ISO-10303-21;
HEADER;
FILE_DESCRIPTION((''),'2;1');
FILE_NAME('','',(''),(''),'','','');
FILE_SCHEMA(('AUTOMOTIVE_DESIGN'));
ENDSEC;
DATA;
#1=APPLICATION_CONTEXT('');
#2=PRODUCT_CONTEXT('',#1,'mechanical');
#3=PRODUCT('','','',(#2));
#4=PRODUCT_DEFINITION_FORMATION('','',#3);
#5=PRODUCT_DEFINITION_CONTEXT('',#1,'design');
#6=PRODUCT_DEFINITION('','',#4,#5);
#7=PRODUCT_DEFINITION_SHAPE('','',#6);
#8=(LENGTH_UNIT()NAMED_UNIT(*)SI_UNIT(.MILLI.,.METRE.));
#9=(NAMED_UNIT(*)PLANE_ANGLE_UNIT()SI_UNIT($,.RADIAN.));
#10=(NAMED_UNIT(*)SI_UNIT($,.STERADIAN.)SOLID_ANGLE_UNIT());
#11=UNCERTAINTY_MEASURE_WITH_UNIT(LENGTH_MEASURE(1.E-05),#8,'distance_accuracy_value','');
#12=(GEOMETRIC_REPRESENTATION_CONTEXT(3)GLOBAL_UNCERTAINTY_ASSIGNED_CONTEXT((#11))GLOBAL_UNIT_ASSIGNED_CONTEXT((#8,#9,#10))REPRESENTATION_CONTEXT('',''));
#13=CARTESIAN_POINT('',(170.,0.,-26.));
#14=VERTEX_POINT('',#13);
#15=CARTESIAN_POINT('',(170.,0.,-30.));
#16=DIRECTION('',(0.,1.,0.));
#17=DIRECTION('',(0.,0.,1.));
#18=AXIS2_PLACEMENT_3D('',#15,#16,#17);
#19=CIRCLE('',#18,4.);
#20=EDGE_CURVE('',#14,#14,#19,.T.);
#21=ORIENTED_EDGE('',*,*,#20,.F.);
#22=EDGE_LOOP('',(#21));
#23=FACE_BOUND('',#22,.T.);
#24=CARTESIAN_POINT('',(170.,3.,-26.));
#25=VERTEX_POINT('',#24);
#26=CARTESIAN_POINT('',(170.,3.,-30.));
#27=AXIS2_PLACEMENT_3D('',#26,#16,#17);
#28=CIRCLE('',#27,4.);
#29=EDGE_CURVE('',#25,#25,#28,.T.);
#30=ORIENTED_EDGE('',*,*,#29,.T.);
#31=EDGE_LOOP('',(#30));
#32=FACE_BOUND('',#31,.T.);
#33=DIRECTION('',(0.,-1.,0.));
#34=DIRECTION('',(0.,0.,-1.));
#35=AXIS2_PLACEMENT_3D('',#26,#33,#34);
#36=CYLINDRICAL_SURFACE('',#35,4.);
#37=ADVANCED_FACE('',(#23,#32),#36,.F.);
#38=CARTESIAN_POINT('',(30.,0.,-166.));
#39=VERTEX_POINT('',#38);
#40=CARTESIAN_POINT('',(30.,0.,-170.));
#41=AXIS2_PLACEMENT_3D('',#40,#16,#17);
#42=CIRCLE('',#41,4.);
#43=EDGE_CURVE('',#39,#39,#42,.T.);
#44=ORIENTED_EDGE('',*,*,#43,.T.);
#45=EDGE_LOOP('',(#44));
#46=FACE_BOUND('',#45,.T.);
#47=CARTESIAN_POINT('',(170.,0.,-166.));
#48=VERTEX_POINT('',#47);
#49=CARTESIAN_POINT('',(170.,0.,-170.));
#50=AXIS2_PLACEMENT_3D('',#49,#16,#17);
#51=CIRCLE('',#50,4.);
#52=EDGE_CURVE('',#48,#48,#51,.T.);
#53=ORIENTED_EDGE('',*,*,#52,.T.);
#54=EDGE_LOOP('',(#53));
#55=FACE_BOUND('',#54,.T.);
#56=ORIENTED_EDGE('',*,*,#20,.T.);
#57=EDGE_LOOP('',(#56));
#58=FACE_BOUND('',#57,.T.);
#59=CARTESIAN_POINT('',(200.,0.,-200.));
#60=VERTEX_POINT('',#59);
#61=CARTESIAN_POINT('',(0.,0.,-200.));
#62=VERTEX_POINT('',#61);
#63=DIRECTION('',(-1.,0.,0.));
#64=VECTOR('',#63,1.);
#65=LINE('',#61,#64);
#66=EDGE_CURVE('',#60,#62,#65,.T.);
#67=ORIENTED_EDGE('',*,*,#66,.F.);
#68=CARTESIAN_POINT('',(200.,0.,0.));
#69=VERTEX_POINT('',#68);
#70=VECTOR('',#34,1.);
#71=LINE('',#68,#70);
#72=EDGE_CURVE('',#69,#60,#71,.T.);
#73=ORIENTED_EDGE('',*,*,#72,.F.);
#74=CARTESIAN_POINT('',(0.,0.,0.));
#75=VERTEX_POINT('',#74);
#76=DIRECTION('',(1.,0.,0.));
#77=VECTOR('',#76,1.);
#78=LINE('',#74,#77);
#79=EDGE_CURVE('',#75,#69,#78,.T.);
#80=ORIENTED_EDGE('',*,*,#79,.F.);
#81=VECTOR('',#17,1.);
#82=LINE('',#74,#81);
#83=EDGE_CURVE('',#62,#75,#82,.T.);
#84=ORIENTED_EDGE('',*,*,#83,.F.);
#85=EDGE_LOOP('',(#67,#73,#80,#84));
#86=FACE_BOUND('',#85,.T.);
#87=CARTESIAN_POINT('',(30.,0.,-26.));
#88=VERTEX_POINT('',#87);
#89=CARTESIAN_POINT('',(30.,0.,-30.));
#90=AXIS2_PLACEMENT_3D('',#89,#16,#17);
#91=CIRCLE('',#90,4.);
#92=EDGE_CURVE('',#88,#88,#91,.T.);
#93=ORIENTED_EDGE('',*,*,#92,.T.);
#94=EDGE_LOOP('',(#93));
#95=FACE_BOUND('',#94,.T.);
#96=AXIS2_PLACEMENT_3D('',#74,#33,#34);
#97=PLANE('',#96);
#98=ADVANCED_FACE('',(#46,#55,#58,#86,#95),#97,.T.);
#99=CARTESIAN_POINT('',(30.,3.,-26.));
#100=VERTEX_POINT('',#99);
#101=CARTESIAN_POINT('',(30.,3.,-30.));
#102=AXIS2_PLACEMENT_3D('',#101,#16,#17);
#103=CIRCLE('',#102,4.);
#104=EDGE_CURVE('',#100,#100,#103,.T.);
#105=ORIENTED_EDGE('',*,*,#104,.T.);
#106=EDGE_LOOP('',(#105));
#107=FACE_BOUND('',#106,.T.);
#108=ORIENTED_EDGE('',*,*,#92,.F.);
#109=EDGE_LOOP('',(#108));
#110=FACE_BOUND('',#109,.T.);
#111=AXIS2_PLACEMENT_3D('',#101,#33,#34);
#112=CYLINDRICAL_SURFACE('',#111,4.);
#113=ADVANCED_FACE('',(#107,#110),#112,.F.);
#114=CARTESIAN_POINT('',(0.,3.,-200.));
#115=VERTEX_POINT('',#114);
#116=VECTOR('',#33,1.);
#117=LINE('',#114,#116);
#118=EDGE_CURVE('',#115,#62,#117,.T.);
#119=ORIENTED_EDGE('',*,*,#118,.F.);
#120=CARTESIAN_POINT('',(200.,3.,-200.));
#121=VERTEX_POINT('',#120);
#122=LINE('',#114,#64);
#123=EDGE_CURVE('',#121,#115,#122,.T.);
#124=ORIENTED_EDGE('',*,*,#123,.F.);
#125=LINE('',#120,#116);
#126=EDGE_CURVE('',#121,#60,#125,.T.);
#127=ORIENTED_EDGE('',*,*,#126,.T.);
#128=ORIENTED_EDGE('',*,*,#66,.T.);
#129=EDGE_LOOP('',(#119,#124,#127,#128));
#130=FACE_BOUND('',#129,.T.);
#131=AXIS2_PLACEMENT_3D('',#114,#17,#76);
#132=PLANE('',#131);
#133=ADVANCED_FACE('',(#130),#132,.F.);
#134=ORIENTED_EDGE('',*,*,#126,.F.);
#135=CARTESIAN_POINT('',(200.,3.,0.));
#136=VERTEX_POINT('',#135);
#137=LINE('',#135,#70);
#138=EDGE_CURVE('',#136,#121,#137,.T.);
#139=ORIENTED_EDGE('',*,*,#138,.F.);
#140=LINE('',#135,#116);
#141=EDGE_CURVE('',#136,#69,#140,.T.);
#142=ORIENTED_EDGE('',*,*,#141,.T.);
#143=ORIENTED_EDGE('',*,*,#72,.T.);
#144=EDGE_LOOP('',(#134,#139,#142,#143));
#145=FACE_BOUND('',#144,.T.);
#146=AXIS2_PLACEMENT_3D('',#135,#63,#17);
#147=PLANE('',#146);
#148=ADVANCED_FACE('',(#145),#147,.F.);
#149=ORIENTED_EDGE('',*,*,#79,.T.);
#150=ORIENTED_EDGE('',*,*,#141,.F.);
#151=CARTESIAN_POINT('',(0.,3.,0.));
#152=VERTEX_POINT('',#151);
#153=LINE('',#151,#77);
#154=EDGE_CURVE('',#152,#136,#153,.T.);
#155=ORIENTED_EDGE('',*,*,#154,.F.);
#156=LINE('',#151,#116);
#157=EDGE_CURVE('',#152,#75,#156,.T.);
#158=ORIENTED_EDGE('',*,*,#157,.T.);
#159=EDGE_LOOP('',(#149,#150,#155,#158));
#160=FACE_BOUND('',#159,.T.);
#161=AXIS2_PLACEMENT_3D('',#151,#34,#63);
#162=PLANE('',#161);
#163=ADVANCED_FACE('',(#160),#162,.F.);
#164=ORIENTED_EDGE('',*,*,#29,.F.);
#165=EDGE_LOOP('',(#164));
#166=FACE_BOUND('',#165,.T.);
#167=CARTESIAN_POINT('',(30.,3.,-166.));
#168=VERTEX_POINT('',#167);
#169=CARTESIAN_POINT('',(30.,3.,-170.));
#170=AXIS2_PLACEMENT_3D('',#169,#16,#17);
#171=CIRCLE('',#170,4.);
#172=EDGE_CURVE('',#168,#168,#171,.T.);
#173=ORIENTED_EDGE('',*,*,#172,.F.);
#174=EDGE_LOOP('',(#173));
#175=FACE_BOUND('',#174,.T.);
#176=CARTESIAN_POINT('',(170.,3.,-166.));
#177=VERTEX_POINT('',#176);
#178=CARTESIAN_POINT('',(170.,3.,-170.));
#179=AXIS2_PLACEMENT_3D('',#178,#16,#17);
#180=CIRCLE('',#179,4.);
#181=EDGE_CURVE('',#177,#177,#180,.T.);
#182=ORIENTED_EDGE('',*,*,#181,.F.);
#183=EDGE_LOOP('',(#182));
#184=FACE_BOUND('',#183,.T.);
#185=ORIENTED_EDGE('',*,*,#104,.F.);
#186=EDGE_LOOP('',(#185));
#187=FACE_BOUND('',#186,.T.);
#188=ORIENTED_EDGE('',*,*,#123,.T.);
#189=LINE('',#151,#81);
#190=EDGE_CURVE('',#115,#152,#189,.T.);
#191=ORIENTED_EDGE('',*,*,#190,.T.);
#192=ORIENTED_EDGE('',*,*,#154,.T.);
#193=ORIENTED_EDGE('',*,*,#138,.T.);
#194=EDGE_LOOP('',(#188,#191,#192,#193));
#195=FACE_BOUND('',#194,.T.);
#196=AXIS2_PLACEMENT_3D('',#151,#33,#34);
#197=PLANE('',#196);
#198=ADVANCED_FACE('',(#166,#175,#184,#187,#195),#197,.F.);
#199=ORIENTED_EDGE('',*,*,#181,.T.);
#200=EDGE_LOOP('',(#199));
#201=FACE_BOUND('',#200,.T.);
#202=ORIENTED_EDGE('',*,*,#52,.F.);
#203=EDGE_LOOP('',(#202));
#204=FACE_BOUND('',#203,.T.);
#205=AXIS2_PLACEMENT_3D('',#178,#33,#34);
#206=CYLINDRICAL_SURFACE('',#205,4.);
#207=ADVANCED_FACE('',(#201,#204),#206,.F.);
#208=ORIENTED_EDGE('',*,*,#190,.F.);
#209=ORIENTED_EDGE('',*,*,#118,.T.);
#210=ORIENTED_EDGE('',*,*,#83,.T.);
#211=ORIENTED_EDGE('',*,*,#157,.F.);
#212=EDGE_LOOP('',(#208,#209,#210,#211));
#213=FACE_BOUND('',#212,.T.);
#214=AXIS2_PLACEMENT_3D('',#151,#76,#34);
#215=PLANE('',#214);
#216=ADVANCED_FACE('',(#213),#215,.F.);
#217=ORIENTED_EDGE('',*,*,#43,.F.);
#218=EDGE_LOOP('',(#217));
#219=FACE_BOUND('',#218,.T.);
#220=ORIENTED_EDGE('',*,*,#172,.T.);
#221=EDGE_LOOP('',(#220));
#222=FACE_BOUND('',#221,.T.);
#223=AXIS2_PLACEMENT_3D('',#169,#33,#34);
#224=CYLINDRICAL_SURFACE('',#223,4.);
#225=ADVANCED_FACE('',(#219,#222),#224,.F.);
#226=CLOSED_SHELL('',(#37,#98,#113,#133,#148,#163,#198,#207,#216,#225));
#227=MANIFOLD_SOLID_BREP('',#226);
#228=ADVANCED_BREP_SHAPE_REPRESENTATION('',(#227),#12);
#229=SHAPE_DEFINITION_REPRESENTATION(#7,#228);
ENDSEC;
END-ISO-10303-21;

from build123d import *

# Parameters (mm, degrees)
SKICA1_W                = 200
SKICA1_H                = 200
SKICA1_R                = 4
P_IDAT_VYSUNUT_M1_DEPTH = 3


with BuildPart() as part:
    # Skica1 → Přidat vysunutím1 (new body)
    with BuildSketch(Plane(origin=(0, 0, 0), x_dir=(1, 0, 0), z_dir=(0, 1, 0))):
        with Locations((100, 100)):
            Rectangle(SKICA1_W, SKICA1_H)
        with Locations(Location((30, 170, 0), (0, 0, 270))):
            Circle(SKICA1_R, mode=Mode.SUBTRACT)
        with Locations(Location((170, 170, 0), (0, 0, 270))):
            Circle(SKICA1_R, mode=Mode.SUBTRACT)
        with Locations(Location((170, 30, 0), (0, 0, 270))):
            Circle(SKICA1_R, mode=Mode.SUBTRACT)
        with Locations(Location((30, 30, 0), (0, 0, 270))):
            Circle(SKICA1_R, mode=Mode.SUBTRACT)
    extrude(amount=P_IDAT_VYSUNUT_M1_DEPTH)


solid = part.part
